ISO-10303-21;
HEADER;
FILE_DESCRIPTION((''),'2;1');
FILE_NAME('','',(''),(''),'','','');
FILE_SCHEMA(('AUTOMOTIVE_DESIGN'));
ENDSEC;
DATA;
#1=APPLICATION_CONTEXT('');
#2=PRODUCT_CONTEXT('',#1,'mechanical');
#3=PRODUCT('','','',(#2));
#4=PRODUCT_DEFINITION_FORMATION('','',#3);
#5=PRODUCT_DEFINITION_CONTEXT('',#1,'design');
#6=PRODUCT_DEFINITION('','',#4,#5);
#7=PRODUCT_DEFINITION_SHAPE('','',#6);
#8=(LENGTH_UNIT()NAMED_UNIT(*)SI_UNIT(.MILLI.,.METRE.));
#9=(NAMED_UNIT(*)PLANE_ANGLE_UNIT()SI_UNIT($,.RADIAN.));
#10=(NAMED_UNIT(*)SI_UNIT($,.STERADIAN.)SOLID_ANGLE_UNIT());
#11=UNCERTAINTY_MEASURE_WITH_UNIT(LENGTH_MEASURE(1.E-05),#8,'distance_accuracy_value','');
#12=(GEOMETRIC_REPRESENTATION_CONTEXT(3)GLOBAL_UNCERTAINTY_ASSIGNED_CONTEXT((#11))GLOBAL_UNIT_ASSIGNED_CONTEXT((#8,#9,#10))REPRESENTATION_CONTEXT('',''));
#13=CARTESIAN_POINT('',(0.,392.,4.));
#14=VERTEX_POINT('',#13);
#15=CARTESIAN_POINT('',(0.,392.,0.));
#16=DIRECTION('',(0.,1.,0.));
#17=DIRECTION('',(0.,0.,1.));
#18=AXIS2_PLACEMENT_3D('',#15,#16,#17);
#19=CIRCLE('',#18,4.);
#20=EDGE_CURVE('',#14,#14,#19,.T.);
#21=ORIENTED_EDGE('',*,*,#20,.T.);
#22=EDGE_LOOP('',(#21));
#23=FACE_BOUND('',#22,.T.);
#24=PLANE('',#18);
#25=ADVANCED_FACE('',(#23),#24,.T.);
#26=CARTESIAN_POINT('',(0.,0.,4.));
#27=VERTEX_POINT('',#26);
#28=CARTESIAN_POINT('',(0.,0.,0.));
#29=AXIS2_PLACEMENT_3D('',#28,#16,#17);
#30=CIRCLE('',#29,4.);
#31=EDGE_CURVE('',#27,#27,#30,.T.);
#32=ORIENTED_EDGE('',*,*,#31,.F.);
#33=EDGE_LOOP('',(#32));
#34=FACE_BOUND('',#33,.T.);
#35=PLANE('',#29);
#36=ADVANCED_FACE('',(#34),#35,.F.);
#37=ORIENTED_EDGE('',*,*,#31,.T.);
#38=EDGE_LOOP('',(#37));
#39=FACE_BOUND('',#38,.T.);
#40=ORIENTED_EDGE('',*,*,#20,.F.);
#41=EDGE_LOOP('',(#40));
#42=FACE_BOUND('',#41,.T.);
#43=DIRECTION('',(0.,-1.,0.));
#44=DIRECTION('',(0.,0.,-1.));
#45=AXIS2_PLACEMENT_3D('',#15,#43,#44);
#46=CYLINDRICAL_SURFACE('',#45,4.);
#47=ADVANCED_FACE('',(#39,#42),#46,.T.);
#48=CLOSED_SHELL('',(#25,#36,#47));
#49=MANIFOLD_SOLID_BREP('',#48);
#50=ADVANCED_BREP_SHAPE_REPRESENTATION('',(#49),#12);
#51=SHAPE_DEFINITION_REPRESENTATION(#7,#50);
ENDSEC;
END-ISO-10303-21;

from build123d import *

# Parameters (mm, degrees)
SKETCH1_R           = 4
BOSS_EXTRUDE1_DEPTH = 392


with BuildPart() as part:
    # Sketch1 → Boss-Extrude1 (new body)
    with BuildSketch(Plane(origin=(0, 0, 0), x_dir=(1, 0, 0), z_dir=(0, 1, 0))):
        with Locations(Location((0, 0, 0), (0, 0, 270))):
            Circle(SKETCH1_R)
    extrude(amount=BOSS_EXTRUDE1_DEPTH)


solid = part.part
